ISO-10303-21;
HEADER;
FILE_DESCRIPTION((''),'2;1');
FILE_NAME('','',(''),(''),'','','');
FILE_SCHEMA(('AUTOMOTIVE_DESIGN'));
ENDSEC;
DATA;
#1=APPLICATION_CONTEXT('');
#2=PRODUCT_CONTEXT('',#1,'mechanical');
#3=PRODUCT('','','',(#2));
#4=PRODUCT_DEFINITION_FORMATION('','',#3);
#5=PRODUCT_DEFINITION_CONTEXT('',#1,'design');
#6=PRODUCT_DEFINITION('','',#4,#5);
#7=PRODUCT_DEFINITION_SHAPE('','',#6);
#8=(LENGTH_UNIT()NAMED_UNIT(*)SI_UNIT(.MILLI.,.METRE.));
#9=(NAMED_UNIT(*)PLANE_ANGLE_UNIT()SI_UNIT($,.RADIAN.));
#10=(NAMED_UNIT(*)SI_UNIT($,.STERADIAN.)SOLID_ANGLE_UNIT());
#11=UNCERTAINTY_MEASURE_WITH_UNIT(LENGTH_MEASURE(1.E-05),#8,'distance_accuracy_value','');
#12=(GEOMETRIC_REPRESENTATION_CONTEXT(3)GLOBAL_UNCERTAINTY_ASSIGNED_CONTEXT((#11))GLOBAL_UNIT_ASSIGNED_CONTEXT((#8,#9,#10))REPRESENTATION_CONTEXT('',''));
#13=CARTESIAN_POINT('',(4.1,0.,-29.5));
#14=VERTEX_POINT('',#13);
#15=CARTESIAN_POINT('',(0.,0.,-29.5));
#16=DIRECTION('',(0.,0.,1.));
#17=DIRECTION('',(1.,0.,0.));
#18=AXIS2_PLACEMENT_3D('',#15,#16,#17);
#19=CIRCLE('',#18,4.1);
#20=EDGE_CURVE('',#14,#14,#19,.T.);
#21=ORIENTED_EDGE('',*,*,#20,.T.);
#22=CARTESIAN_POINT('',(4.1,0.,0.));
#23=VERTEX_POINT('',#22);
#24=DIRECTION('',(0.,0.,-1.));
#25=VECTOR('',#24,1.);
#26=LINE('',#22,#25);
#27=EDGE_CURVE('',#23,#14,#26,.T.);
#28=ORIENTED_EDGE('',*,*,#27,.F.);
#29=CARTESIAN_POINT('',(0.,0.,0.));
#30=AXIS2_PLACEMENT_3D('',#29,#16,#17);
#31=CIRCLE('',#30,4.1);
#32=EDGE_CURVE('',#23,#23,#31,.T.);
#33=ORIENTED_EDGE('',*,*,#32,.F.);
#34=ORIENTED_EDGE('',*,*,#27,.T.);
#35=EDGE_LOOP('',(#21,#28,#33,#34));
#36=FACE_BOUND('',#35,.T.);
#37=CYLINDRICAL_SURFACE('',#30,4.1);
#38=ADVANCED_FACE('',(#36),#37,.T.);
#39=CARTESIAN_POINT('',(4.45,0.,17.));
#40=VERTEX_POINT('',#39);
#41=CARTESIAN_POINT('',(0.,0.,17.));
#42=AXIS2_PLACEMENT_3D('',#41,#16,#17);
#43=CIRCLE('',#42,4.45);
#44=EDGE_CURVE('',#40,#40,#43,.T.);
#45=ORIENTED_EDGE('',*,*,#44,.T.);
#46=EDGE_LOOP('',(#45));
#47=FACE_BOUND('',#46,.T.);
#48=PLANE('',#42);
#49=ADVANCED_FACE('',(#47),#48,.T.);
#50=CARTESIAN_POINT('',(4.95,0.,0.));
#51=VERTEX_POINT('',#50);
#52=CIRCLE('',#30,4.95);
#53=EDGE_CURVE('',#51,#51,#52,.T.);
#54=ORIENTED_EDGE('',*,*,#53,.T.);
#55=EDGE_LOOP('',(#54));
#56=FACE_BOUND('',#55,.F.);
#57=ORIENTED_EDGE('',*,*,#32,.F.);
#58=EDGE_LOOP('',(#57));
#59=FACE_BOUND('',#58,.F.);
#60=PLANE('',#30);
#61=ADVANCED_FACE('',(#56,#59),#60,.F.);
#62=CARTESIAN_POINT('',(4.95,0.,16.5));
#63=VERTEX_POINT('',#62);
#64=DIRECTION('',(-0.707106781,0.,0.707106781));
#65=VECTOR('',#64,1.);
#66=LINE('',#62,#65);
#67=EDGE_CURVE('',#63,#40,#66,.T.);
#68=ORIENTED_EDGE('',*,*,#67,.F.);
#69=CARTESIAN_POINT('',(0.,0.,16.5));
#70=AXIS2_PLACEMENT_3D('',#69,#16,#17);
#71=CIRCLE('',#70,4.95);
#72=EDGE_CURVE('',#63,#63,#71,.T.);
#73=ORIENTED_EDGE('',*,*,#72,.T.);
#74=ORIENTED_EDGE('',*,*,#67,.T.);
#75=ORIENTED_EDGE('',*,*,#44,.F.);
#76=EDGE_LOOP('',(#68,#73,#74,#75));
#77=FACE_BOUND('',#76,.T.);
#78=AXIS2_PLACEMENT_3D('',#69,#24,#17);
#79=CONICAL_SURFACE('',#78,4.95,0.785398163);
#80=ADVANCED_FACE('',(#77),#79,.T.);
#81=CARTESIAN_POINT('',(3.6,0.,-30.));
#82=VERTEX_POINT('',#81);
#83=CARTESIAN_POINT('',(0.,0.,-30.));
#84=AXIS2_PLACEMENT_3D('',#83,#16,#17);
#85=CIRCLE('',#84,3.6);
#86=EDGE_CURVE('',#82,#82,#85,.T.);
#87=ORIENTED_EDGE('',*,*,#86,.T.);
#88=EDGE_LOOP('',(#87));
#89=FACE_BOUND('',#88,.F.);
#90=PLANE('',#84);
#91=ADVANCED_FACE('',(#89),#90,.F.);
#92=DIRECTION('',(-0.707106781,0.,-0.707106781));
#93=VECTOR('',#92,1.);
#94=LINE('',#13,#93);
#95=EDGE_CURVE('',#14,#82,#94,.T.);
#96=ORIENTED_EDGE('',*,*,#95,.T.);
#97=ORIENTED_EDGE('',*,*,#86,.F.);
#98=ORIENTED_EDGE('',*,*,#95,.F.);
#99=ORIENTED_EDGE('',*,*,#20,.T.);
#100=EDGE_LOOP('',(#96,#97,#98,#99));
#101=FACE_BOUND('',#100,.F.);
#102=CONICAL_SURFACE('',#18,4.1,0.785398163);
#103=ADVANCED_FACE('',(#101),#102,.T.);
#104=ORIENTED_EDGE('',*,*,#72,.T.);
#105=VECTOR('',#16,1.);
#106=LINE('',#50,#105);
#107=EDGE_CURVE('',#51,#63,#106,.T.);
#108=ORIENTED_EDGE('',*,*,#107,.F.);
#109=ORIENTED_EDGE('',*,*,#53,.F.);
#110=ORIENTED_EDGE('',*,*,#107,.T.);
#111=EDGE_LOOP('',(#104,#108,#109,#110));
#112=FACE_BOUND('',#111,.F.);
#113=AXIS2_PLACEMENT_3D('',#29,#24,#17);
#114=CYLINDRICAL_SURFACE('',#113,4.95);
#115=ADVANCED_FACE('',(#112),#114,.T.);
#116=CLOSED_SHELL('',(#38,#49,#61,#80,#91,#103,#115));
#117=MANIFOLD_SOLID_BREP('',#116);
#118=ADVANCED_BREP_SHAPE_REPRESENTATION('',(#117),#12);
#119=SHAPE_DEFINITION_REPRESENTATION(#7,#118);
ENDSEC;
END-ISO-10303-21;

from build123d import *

# Parameters (mm, degrees)
F0_R     = 4.95
F0_R_2   = 4.1
F1_DEPTH = 17
F2_DEPTH = 30
F3_SIZE  = 0.5


with BuildPart() as f1:
    # F0 (on Top) → F1 (new body)
    with BuildSketch(Plane.XY):
        Circle(F0_R)
        Circle(F0_R_2, mode=Mode.SUBTRACT)
        Circle(F0_R_2)
    extrude(amount=F1_DEPTH)

    # F0 (on Top) → F2 (join)
    with BuildSketch(Plane.XY):
        Circle(F0_R_2)
    extrude(amount=-F2_DEPTH)

    # F3
    f3_edges = [f1.edges().sort_by_distance(p)[0] for p in [
        (-4.95, 0, 17),
        (-4.1, 0, -30),
    ]]
    chamfer(f3_edges, length=F3_SIZE)


solid = f1.part
